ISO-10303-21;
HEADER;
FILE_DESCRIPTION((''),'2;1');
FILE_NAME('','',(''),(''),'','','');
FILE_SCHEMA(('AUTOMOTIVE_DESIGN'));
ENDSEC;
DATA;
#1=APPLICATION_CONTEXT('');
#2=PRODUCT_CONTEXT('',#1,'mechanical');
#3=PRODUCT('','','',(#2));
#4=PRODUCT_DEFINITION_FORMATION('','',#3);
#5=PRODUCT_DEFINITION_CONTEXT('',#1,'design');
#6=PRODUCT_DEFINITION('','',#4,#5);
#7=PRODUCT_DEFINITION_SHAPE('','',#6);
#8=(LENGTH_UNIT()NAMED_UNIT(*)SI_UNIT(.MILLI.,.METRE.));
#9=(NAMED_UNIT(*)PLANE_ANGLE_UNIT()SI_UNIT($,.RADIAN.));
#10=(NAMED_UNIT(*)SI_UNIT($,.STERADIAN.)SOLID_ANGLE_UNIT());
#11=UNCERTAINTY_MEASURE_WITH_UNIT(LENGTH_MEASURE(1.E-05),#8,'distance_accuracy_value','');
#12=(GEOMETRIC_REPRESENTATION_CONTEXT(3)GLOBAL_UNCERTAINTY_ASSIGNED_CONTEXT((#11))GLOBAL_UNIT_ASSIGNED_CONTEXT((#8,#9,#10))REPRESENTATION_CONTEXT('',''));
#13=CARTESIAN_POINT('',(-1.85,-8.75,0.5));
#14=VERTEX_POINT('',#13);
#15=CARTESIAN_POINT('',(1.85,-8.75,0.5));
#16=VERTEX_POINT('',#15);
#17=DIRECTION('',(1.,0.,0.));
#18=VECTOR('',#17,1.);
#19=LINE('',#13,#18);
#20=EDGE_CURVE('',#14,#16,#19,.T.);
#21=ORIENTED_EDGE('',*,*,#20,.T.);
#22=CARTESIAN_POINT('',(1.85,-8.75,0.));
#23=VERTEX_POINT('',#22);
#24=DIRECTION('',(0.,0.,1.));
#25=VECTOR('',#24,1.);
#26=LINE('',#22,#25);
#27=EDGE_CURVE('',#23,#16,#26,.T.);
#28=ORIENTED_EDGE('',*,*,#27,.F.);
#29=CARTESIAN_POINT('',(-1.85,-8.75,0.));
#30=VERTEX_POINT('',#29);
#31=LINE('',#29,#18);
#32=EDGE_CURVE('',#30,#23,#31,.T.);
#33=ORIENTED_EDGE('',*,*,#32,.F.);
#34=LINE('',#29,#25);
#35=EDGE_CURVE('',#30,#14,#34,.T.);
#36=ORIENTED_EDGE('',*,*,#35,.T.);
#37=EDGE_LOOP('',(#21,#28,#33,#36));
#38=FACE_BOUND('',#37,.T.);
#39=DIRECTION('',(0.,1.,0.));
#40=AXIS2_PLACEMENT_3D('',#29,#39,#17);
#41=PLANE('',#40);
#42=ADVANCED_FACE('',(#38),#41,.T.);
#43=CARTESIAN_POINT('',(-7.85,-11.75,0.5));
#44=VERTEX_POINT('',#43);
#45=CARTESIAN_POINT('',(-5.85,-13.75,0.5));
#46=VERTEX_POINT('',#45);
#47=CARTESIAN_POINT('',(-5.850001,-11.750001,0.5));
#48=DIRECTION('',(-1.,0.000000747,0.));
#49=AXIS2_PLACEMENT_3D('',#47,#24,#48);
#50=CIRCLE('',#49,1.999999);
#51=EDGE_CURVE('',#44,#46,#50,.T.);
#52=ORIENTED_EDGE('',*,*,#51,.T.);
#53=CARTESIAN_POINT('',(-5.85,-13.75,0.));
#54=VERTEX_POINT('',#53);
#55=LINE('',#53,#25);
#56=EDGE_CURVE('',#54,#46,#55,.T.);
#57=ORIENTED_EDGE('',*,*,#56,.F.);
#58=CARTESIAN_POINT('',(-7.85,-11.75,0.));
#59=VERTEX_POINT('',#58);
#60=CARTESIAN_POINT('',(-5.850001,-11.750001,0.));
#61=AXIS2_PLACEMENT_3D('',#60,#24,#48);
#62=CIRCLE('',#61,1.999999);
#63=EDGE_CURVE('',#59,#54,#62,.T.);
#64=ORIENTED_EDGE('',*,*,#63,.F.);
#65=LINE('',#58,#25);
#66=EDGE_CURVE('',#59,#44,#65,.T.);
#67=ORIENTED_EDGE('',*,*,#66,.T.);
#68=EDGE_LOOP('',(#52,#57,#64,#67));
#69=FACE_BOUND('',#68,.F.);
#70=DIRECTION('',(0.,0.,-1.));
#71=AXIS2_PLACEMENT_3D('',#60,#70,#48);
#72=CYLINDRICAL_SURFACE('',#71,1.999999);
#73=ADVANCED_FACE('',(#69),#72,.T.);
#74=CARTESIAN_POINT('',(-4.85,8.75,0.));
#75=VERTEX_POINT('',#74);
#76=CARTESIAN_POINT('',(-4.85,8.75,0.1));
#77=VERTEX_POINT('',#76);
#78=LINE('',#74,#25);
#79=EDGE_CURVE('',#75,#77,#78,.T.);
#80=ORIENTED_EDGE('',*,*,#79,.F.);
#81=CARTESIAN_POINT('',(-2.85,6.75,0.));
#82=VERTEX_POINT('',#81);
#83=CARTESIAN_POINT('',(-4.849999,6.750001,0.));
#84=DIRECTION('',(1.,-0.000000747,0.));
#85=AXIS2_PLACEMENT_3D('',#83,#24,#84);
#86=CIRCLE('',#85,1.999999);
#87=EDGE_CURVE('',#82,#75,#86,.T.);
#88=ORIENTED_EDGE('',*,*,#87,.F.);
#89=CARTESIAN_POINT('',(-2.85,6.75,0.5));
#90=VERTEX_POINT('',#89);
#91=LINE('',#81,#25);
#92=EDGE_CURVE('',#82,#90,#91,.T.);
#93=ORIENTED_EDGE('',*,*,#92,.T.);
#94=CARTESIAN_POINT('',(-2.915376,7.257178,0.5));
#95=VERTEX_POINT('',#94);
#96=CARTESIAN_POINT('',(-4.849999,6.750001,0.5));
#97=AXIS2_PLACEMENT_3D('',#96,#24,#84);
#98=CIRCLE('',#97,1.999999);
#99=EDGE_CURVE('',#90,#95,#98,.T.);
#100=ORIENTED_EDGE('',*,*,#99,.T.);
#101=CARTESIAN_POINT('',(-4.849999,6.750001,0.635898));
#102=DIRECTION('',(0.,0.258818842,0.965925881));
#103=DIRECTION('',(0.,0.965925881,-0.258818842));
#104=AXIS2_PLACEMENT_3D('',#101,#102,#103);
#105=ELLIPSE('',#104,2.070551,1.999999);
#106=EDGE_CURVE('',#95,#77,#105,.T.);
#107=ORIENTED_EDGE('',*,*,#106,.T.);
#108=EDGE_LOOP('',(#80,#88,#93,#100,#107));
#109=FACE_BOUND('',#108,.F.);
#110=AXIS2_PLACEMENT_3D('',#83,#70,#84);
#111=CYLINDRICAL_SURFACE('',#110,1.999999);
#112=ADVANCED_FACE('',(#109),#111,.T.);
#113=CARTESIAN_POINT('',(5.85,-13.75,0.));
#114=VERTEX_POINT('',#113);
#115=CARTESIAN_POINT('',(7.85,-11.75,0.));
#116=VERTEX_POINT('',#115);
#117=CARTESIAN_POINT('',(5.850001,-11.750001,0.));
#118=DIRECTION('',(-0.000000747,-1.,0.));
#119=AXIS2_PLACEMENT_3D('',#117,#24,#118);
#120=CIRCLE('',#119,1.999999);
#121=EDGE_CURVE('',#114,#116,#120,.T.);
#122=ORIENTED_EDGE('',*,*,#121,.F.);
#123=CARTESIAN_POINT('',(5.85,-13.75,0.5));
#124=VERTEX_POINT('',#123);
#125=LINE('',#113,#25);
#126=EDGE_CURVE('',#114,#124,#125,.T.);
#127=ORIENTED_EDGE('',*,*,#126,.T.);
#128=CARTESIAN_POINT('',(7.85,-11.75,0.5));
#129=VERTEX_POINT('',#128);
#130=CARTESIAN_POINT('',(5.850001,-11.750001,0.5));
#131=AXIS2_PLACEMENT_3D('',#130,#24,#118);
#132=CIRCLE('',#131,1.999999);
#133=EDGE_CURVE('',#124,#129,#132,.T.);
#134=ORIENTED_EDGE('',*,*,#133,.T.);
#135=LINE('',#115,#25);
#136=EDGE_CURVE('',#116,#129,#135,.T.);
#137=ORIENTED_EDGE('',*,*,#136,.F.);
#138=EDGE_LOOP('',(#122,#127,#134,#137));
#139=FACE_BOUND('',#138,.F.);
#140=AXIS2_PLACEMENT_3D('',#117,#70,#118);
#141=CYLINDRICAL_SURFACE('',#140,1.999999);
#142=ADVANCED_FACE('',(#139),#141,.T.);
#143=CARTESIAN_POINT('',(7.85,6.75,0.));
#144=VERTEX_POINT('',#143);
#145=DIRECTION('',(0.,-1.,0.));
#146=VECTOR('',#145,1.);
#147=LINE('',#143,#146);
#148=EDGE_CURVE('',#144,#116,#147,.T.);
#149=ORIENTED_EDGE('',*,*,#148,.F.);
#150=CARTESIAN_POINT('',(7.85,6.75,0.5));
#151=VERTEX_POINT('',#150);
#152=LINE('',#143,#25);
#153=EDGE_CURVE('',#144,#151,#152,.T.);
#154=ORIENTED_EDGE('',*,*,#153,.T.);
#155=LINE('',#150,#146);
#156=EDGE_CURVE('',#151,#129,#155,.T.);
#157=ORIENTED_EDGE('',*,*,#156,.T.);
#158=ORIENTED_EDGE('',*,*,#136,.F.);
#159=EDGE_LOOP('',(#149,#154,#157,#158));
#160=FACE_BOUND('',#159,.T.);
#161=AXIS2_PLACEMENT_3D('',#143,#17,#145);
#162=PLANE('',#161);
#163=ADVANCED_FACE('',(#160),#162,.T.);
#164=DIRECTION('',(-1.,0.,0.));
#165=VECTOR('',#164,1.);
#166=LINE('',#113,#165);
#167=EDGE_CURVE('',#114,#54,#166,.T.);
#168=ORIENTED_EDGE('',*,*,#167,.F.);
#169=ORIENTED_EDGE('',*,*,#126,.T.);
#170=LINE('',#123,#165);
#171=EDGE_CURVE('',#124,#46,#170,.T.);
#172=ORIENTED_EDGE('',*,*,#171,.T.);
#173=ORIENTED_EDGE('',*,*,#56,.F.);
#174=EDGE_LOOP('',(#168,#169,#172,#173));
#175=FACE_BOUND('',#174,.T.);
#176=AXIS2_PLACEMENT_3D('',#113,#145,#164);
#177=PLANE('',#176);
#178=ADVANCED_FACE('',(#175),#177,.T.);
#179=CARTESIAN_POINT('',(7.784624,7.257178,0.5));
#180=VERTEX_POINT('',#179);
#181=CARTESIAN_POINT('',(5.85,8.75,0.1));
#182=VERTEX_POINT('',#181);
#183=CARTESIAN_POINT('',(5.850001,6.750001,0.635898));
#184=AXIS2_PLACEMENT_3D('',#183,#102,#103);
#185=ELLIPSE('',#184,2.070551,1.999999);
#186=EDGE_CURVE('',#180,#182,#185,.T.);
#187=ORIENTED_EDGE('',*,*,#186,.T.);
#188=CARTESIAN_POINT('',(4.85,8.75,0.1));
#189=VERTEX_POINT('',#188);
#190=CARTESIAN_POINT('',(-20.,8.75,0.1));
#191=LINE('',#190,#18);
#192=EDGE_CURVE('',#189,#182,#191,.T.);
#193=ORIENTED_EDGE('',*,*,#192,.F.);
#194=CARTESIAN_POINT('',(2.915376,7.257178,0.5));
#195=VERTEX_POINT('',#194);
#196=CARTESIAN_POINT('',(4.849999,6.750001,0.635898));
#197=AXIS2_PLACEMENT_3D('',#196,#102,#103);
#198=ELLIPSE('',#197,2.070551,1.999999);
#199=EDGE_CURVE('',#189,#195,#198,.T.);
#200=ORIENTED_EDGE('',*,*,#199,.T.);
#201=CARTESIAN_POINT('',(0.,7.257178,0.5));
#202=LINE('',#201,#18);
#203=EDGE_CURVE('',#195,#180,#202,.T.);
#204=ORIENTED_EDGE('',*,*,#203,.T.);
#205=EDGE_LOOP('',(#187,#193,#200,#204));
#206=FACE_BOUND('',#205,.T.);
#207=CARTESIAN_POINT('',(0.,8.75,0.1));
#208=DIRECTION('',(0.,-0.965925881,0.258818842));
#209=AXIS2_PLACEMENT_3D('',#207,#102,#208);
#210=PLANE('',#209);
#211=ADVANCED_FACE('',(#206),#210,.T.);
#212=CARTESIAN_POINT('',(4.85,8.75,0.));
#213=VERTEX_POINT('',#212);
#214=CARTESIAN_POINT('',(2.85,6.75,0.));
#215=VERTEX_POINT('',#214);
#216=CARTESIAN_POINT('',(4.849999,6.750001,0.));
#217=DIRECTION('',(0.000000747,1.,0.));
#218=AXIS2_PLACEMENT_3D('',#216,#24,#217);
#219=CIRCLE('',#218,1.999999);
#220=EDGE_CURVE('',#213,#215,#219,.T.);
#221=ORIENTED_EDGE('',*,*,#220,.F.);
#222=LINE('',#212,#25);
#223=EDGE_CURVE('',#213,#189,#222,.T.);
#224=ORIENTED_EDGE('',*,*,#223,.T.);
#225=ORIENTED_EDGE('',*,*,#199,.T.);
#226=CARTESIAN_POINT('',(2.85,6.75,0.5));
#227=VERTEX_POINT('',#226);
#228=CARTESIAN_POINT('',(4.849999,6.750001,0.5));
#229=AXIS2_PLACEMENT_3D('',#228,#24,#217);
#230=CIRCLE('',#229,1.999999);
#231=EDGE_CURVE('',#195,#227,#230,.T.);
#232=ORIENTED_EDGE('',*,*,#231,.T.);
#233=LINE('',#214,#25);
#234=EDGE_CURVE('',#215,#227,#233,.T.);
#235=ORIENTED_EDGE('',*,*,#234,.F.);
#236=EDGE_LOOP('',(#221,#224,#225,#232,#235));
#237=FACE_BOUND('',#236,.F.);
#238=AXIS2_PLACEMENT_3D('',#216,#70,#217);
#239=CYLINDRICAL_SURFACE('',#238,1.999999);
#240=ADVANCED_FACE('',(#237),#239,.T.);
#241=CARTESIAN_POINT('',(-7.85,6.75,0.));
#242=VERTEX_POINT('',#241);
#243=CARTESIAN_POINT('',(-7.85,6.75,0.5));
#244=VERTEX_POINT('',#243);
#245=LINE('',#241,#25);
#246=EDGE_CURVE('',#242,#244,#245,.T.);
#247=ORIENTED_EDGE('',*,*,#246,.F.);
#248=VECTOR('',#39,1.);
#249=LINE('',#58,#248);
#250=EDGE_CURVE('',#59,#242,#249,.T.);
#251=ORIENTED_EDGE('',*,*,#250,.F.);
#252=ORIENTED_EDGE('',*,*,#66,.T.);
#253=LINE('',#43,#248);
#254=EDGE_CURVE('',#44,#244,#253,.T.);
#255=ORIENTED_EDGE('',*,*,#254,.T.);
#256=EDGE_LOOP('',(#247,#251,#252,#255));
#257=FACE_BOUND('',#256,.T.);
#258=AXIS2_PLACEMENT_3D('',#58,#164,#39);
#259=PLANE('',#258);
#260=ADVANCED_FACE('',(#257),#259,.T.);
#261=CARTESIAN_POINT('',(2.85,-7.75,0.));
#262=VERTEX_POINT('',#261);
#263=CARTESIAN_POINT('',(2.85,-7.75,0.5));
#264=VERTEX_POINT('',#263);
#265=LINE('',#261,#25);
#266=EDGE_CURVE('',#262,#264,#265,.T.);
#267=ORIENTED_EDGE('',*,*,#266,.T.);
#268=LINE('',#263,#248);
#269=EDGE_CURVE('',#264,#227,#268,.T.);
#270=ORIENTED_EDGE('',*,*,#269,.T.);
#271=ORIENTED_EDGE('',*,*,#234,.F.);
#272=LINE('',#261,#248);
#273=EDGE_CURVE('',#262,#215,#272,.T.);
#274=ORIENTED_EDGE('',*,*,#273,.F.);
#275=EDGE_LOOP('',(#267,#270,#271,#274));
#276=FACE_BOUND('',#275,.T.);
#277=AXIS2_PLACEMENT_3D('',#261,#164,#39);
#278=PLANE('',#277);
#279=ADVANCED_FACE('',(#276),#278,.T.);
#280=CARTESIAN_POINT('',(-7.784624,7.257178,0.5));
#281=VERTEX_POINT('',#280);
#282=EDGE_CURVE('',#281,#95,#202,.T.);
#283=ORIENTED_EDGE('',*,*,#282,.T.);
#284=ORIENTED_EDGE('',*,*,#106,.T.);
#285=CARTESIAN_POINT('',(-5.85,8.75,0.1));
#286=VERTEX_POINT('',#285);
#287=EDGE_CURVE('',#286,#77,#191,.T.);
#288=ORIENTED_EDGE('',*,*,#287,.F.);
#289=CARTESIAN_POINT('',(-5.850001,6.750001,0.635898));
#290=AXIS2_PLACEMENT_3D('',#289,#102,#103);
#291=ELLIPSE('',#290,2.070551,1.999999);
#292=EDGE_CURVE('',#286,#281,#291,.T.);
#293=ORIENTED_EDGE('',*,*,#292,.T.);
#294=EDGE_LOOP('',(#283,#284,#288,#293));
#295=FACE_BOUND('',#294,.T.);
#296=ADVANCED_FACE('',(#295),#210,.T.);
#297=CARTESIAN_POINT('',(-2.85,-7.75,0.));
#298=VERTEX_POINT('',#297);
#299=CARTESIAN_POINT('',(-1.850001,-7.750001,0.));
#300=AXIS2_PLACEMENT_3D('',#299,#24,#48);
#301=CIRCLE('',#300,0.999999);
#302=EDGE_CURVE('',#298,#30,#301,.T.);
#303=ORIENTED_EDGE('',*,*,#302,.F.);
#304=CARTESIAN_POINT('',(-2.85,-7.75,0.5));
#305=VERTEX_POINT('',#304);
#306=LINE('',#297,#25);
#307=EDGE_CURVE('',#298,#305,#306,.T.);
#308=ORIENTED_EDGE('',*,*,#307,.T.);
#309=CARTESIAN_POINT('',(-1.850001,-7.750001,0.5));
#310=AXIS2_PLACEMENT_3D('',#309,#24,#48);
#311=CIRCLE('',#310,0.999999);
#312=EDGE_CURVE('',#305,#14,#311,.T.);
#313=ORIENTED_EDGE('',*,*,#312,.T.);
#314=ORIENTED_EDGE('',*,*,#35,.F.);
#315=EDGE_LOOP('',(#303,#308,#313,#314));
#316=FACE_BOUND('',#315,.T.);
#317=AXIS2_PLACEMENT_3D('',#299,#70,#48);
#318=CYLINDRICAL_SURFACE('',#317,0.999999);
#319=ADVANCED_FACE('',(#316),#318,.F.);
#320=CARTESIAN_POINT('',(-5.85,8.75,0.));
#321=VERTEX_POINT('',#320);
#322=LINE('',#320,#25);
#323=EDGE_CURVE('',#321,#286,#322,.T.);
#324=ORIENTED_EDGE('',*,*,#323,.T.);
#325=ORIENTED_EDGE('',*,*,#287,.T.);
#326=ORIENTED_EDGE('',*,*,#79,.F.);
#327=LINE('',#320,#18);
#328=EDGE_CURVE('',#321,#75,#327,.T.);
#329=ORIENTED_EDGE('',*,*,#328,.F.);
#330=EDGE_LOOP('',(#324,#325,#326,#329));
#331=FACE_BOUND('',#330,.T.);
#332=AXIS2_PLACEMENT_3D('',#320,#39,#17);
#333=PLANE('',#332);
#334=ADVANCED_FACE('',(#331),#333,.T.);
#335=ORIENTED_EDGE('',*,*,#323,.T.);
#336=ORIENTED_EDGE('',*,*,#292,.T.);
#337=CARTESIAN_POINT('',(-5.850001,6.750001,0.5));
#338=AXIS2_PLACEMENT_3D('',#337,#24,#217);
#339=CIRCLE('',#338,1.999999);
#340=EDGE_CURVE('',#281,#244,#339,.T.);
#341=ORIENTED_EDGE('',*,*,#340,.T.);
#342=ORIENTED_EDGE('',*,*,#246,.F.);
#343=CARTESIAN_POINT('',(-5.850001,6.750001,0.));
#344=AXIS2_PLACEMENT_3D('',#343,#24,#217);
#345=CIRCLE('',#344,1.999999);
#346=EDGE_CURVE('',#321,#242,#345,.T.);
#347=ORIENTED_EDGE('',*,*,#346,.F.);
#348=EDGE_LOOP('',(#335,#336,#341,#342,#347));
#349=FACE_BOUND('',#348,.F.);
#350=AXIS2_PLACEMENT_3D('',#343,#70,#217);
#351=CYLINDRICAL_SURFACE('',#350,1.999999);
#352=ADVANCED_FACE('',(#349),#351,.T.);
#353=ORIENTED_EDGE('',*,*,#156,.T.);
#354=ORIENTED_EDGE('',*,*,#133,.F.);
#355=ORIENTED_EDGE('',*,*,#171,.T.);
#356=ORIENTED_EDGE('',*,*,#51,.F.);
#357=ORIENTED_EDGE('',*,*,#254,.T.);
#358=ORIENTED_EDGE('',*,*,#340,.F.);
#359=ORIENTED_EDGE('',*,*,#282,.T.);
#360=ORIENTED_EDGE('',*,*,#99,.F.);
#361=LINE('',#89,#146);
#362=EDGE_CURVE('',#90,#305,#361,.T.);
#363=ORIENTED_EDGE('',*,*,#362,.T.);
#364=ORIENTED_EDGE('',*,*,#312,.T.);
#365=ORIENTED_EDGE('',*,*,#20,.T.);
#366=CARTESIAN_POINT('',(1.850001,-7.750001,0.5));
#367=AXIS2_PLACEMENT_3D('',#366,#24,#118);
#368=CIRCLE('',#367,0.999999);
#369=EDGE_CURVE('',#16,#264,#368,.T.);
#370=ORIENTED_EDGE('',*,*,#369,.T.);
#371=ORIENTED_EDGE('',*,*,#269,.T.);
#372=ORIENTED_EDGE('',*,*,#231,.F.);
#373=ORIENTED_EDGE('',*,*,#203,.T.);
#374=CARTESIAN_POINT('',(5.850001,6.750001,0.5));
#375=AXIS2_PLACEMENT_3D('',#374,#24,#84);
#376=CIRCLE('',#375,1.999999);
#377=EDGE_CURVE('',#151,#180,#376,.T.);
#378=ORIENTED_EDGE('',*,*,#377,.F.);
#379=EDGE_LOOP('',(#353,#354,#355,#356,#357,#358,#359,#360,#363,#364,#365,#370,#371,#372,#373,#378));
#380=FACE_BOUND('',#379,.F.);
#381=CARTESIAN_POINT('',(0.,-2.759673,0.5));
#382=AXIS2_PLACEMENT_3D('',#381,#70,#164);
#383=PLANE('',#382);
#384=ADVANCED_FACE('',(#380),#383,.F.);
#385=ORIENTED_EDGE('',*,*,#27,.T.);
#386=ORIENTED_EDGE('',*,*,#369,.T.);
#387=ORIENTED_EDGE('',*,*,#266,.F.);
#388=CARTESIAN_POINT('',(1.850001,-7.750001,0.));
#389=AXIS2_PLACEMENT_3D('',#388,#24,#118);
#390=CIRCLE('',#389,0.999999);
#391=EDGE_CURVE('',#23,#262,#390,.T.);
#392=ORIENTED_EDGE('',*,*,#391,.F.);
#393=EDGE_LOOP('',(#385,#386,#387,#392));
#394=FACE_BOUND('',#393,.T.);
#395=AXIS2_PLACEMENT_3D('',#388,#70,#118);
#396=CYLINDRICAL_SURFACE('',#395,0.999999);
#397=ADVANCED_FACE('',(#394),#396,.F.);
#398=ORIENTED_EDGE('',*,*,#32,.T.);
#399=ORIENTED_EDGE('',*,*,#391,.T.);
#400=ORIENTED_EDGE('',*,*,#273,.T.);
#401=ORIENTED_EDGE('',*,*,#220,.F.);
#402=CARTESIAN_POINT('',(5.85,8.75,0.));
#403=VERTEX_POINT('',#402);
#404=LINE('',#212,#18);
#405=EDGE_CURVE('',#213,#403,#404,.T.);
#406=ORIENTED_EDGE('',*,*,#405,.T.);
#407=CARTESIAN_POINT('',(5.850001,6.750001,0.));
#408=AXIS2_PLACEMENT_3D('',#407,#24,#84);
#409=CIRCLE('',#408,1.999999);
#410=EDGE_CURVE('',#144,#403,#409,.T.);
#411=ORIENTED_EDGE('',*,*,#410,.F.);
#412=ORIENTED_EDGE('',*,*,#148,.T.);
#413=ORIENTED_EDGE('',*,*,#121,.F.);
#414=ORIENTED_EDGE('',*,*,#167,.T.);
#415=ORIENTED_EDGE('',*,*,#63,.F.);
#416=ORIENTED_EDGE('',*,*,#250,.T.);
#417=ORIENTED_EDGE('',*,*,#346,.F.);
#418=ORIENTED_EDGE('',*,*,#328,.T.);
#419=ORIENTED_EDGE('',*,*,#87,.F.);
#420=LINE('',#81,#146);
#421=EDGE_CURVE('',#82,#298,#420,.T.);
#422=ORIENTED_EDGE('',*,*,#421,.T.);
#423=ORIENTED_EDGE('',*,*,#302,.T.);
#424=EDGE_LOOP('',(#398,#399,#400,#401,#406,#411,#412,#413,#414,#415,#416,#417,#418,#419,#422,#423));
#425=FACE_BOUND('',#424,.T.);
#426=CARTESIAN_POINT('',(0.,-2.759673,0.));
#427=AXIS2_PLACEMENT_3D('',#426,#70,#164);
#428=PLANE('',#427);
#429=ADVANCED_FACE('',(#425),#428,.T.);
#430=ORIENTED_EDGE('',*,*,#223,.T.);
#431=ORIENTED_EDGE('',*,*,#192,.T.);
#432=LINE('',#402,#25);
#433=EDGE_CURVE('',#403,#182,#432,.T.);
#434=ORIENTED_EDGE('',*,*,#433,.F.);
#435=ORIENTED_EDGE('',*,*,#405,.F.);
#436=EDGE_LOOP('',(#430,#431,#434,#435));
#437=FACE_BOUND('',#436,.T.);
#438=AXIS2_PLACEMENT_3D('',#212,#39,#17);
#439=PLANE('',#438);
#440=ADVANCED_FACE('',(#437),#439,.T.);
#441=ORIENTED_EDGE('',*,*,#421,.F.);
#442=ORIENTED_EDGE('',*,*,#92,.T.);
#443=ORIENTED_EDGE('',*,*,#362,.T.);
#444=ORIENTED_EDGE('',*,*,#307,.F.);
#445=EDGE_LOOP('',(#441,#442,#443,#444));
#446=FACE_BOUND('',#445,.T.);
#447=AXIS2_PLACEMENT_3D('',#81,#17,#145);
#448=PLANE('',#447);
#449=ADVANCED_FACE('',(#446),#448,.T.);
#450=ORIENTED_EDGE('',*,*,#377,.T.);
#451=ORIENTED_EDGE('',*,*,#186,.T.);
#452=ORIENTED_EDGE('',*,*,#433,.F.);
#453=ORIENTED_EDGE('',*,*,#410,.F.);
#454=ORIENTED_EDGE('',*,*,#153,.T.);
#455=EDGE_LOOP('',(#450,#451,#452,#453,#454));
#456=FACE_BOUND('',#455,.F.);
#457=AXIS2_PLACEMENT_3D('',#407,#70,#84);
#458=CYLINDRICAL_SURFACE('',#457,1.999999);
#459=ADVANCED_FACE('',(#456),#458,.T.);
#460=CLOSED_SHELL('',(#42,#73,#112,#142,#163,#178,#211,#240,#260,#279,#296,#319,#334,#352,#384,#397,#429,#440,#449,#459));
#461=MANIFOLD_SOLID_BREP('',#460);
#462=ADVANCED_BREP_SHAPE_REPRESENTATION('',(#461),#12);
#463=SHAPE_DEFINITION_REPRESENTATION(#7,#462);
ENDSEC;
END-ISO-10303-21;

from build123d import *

# Parameters (mm, degrees)
EXTRUDE001_DEPTH = 20
EXTRUDE_DEPTH    = 0.5


with BuildPart() as extrude001:
    # Sketch001 → Extrude001 (new body, symmetric)
    with BuildSketch(Plane.YZ):
        Polygon((8.75, 0.1), (6.329819, 0.748485), (8.75, 0.748485), align=None)
    extrude(amount=EXTRUDE001_DEPTH, both=True)


with BuildPart() as cut:
    # Sketch → Extrude (new body)
    with BuildSketch(Plane.XY):
        with BuildLine():
            Line((-2.85, 6.75), (-2.85, -7.75))
            ThreePointArc((-2.85, -7.75), (-2.557107, -8.457107), (-1.85, -8.75))
            Line((-1.85, -8.75), (1.85, -8.75))
            ThreePointArc((1.85, -8.75), (2.557107, -8.457107), (2.85, -7.75))
            Line((2.85, -7.75), (2.85, 6.75))
            ThreePointArc((4.85, 8.75), (3.435786, 8.164214), (2.85, 6.75))
            Line((4.85, 8.75), (5.85, 8.75))
            ThreePointArc((7.85, 6.75), (7.264214, 8.164214), (5.85, 8.75))
            Line((7.85, 6.75), (7.85, -11.75))
            ThreePointArc((5.85, -13.75), (7.264214, -13.164214), (7.85, -11.75))
            Line((5.85, -13.75), (-5.85, -13.75))
            ThreePointArc((-7.85, -11.75), (-7.264214, -13.164214), (-5.85, -13.75))
            Line((-7.85, -11.75), (-7.85, 6.75))
            ThreePointArc((-5.85, 8.75), (-7.264214, 8.164214), (-7.85, 6.75))
            Line((-5.85, 8.75), (-4.85, 8.75))
            ThreePointArc((-2.85, 6.75), (-3.435786, 8.164214), (-4.85, 8.75))
        make_face()
    extrude(amount=EXTRUDE_DEPTH)

    # Cut: cut Extrude001
    add(extrude001.part, mode=Mode.SUBTRACT)


solid = cut.part
